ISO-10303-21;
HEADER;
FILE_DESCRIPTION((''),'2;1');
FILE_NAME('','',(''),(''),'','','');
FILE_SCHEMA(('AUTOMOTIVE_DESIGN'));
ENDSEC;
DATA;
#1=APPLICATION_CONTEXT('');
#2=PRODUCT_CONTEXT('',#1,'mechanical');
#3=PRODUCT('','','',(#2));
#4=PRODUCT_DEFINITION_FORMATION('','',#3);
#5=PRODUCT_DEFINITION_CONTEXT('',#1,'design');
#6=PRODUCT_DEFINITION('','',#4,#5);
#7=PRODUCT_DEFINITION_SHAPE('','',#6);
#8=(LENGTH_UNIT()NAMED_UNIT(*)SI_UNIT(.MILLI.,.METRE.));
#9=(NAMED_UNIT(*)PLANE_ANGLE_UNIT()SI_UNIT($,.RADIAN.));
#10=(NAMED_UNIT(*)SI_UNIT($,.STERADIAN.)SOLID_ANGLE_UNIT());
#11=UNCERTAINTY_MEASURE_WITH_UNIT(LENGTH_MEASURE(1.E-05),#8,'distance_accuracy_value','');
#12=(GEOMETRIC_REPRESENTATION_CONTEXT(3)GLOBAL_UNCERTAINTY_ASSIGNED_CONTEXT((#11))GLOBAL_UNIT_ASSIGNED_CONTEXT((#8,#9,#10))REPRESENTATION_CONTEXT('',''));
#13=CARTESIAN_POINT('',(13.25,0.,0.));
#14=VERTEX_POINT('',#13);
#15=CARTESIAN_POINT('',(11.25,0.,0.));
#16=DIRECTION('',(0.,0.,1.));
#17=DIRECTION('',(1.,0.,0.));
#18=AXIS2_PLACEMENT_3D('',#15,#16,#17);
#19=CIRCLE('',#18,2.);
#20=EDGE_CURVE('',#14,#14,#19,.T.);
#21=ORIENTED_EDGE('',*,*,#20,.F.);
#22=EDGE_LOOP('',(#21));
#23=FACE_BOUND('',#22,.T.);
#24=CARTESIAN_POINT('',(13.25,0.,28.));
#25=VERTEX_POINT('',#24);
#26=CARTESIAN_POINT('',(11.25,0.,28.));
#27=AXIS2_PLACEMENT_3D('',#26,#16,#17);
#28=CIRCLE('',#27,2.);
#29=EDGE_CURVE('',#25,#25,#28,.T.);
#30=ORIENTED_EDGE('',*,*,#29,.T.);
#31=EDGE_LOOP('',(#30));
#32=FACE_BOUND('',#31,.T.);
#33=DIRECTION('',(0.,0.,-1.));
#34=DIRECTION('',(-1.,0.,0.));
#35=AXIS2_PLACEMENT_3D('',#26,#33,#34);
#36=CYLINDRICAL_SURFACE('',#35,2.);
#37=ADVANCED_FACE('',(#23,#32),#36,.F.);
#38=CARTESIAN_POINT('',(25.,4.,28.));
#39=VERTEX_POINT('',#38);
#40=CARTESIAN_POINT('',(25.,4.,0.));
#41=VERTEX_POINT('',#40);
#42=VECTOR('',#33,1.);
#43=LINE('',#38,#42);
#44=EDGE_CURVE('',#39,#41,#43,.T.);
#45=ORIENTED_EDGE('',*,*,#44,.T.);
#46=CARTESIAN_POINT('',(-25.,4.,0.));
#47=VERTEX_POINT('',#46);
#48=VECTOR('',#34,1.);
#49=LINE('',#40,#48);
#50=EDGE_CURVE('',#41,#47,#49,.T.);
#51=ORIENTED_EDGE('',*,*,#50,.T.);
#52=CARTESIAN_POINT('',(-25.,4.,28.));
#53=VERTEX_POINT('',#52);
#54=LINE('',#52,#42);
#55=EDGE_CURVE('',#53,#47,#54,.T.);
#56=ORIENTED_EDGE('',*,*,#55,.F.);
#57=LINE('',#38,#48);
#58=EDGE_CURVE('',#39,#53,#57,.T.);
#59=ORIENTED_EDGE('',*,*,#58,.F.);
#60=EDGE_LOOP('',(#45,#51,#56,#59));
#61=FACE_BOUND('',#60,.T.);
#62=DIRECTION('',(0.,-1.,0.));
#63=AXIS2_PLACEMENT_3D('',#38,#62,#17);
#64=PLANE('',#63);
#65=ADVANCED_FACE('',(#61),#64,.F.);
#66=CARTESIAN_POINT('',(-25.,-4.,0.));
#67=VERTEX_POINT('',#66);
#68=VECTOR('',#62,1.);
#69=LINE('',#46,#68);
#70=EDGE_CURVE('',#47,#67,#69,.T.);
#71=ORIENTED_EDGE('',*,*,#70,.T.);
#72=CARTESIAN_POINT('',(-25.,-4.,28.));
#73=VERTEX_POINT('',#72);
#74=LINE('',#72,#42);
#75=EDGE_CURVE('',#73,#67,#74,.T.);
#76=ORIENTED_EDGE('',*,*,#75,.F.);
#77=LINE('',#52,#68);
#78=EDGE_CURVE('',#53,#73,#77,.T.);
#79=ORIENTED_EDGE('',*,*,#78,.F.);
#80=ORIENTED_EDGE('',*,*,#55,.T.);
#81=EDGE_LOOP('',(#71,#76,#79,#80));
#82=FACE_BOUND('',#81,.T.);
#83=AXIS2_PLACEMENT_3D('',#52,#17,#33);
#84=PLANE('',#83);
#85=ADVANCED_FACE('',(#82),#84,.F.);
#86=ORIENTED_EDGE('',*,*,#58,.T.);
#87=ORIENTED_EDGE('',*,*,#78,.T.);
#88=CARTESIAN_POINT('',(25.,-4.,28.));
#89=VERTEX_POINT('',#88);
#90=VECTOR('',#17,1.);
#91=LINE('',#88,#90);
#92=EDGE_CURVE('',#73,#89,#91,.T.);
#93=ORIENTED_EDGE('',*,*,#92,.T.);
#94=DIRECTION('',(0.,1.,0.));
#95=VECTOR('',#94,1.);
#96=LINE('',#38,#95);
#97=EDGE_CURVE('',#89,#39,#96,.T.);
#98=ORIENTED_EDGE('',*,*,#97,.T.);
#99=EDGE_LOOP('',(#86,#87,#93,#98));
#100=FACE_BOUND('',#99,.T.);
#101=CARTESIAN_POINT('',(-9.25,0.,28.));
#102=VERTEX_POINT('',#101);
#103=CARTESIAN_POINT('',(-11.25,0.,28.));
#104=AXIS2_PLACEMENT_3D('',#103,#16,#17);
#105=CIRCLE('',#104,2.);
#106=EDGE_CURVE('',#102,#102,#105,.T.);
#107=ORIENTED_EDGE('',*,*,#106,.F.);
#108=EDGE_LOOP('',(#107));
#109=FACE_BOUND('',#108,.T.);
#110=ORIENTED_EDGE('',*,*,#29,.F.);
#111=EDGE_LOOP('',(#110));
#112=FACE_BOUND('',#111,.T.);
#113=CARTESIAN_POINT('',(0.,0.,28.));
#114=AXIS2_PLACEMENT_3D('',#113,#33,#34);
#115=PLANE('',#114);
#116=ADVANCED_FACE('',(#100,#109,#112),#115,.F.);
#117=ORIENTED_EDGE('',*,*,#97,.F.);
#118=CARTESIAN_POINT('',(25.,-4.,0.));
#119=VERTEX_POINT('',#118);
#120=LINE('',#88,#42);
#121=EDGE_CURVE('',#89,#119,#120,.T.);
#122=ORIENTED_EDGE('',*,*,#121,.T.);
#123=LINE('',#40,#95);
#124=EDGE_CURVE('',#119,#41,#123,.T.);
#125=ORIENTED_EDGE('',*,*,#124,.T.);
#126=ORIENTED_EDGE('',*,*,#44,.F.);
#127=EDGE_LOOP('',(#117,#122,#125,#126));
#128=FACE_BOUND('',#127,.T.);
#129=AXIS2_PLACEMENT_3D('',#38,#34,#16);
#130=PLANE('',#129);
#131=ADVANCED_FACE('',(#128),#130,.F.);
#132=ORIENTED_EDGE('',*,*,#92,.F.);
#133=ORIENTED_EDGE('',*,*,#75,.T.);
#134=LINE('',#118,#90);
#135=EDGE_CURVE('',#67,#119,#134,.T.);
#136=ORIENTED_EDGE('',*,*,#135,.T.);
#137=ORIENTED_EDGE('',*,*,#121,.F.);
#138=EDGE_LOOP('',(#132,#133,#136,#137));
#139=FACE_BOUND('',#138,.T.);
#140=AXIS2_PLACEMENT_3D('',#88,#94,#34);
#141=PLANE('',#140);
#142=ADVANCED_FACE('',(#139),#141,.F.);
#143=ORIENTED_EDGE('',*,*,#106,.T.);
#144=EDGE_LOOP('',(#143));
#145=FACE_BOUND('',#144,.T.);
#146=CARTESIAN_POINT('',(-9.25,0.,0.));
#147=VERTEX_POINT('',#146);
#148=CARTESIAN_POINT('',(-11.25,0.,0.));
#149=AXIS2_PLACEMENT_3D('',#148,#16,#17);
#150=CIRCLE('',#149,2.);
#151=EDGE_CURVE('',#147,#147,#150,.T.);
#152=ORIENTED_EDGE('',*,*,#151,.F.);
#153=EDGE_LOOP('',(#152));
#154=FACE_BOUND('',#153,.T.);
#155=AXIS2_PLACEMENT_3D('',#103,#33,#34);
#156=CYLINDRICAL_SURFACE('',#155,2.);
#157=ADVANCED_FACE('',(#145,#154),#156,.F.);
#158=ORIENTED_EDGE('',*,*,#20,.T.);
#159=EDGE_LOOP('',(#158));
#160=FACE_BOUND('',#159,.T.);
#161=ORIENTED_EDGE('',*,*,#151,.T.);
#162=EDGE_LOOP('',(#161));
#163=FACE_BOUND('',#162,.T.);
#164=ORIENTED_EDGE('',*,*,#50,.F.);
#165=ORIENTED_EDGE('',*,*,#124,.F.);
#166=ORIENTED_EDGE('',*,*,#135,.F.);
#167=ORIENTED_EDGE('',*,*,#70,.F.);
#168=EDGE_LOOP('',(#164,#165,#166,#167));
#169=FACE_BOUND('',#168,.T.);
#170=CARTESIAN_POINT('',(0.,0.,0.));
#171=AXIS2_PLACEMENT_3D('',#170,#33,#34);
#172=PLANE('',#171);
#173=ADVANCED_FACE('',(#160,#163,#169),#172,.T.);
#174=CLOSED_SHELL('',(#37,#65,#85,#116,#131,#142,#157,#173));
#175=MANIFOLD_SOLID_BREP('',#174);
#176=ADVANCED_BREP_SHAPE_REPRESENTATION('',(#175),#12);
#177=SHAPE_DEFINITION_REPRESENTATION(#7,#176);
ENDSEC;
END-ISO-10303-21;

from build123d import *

# Parameters (mm, degrees)
SKETCH1_W           = 50
SKETCH1_H           = 8
SKETCH1_R           = 2
BOSS_EXTRUDE1_DEPTH = 28


with BuildPart() as part:
    # Sketch1 → Boss-Extrude1 (new body)
    with BuildSketch(Plane.XY):
        Rectangle(SKETCH1_W, SKETCH1_H)
        with Locations((-11.25, 0)):
            Circle(SKETCH1_R, mode=Mode.SUBTRACT)
        with Locations((11.25, 0)):
            Circle(SKETCH1_R, mode=Mode.SUBTRACT)
    extrude(amount=BOSS_EXTRUDE1_DEPTH)


solid = part.part
